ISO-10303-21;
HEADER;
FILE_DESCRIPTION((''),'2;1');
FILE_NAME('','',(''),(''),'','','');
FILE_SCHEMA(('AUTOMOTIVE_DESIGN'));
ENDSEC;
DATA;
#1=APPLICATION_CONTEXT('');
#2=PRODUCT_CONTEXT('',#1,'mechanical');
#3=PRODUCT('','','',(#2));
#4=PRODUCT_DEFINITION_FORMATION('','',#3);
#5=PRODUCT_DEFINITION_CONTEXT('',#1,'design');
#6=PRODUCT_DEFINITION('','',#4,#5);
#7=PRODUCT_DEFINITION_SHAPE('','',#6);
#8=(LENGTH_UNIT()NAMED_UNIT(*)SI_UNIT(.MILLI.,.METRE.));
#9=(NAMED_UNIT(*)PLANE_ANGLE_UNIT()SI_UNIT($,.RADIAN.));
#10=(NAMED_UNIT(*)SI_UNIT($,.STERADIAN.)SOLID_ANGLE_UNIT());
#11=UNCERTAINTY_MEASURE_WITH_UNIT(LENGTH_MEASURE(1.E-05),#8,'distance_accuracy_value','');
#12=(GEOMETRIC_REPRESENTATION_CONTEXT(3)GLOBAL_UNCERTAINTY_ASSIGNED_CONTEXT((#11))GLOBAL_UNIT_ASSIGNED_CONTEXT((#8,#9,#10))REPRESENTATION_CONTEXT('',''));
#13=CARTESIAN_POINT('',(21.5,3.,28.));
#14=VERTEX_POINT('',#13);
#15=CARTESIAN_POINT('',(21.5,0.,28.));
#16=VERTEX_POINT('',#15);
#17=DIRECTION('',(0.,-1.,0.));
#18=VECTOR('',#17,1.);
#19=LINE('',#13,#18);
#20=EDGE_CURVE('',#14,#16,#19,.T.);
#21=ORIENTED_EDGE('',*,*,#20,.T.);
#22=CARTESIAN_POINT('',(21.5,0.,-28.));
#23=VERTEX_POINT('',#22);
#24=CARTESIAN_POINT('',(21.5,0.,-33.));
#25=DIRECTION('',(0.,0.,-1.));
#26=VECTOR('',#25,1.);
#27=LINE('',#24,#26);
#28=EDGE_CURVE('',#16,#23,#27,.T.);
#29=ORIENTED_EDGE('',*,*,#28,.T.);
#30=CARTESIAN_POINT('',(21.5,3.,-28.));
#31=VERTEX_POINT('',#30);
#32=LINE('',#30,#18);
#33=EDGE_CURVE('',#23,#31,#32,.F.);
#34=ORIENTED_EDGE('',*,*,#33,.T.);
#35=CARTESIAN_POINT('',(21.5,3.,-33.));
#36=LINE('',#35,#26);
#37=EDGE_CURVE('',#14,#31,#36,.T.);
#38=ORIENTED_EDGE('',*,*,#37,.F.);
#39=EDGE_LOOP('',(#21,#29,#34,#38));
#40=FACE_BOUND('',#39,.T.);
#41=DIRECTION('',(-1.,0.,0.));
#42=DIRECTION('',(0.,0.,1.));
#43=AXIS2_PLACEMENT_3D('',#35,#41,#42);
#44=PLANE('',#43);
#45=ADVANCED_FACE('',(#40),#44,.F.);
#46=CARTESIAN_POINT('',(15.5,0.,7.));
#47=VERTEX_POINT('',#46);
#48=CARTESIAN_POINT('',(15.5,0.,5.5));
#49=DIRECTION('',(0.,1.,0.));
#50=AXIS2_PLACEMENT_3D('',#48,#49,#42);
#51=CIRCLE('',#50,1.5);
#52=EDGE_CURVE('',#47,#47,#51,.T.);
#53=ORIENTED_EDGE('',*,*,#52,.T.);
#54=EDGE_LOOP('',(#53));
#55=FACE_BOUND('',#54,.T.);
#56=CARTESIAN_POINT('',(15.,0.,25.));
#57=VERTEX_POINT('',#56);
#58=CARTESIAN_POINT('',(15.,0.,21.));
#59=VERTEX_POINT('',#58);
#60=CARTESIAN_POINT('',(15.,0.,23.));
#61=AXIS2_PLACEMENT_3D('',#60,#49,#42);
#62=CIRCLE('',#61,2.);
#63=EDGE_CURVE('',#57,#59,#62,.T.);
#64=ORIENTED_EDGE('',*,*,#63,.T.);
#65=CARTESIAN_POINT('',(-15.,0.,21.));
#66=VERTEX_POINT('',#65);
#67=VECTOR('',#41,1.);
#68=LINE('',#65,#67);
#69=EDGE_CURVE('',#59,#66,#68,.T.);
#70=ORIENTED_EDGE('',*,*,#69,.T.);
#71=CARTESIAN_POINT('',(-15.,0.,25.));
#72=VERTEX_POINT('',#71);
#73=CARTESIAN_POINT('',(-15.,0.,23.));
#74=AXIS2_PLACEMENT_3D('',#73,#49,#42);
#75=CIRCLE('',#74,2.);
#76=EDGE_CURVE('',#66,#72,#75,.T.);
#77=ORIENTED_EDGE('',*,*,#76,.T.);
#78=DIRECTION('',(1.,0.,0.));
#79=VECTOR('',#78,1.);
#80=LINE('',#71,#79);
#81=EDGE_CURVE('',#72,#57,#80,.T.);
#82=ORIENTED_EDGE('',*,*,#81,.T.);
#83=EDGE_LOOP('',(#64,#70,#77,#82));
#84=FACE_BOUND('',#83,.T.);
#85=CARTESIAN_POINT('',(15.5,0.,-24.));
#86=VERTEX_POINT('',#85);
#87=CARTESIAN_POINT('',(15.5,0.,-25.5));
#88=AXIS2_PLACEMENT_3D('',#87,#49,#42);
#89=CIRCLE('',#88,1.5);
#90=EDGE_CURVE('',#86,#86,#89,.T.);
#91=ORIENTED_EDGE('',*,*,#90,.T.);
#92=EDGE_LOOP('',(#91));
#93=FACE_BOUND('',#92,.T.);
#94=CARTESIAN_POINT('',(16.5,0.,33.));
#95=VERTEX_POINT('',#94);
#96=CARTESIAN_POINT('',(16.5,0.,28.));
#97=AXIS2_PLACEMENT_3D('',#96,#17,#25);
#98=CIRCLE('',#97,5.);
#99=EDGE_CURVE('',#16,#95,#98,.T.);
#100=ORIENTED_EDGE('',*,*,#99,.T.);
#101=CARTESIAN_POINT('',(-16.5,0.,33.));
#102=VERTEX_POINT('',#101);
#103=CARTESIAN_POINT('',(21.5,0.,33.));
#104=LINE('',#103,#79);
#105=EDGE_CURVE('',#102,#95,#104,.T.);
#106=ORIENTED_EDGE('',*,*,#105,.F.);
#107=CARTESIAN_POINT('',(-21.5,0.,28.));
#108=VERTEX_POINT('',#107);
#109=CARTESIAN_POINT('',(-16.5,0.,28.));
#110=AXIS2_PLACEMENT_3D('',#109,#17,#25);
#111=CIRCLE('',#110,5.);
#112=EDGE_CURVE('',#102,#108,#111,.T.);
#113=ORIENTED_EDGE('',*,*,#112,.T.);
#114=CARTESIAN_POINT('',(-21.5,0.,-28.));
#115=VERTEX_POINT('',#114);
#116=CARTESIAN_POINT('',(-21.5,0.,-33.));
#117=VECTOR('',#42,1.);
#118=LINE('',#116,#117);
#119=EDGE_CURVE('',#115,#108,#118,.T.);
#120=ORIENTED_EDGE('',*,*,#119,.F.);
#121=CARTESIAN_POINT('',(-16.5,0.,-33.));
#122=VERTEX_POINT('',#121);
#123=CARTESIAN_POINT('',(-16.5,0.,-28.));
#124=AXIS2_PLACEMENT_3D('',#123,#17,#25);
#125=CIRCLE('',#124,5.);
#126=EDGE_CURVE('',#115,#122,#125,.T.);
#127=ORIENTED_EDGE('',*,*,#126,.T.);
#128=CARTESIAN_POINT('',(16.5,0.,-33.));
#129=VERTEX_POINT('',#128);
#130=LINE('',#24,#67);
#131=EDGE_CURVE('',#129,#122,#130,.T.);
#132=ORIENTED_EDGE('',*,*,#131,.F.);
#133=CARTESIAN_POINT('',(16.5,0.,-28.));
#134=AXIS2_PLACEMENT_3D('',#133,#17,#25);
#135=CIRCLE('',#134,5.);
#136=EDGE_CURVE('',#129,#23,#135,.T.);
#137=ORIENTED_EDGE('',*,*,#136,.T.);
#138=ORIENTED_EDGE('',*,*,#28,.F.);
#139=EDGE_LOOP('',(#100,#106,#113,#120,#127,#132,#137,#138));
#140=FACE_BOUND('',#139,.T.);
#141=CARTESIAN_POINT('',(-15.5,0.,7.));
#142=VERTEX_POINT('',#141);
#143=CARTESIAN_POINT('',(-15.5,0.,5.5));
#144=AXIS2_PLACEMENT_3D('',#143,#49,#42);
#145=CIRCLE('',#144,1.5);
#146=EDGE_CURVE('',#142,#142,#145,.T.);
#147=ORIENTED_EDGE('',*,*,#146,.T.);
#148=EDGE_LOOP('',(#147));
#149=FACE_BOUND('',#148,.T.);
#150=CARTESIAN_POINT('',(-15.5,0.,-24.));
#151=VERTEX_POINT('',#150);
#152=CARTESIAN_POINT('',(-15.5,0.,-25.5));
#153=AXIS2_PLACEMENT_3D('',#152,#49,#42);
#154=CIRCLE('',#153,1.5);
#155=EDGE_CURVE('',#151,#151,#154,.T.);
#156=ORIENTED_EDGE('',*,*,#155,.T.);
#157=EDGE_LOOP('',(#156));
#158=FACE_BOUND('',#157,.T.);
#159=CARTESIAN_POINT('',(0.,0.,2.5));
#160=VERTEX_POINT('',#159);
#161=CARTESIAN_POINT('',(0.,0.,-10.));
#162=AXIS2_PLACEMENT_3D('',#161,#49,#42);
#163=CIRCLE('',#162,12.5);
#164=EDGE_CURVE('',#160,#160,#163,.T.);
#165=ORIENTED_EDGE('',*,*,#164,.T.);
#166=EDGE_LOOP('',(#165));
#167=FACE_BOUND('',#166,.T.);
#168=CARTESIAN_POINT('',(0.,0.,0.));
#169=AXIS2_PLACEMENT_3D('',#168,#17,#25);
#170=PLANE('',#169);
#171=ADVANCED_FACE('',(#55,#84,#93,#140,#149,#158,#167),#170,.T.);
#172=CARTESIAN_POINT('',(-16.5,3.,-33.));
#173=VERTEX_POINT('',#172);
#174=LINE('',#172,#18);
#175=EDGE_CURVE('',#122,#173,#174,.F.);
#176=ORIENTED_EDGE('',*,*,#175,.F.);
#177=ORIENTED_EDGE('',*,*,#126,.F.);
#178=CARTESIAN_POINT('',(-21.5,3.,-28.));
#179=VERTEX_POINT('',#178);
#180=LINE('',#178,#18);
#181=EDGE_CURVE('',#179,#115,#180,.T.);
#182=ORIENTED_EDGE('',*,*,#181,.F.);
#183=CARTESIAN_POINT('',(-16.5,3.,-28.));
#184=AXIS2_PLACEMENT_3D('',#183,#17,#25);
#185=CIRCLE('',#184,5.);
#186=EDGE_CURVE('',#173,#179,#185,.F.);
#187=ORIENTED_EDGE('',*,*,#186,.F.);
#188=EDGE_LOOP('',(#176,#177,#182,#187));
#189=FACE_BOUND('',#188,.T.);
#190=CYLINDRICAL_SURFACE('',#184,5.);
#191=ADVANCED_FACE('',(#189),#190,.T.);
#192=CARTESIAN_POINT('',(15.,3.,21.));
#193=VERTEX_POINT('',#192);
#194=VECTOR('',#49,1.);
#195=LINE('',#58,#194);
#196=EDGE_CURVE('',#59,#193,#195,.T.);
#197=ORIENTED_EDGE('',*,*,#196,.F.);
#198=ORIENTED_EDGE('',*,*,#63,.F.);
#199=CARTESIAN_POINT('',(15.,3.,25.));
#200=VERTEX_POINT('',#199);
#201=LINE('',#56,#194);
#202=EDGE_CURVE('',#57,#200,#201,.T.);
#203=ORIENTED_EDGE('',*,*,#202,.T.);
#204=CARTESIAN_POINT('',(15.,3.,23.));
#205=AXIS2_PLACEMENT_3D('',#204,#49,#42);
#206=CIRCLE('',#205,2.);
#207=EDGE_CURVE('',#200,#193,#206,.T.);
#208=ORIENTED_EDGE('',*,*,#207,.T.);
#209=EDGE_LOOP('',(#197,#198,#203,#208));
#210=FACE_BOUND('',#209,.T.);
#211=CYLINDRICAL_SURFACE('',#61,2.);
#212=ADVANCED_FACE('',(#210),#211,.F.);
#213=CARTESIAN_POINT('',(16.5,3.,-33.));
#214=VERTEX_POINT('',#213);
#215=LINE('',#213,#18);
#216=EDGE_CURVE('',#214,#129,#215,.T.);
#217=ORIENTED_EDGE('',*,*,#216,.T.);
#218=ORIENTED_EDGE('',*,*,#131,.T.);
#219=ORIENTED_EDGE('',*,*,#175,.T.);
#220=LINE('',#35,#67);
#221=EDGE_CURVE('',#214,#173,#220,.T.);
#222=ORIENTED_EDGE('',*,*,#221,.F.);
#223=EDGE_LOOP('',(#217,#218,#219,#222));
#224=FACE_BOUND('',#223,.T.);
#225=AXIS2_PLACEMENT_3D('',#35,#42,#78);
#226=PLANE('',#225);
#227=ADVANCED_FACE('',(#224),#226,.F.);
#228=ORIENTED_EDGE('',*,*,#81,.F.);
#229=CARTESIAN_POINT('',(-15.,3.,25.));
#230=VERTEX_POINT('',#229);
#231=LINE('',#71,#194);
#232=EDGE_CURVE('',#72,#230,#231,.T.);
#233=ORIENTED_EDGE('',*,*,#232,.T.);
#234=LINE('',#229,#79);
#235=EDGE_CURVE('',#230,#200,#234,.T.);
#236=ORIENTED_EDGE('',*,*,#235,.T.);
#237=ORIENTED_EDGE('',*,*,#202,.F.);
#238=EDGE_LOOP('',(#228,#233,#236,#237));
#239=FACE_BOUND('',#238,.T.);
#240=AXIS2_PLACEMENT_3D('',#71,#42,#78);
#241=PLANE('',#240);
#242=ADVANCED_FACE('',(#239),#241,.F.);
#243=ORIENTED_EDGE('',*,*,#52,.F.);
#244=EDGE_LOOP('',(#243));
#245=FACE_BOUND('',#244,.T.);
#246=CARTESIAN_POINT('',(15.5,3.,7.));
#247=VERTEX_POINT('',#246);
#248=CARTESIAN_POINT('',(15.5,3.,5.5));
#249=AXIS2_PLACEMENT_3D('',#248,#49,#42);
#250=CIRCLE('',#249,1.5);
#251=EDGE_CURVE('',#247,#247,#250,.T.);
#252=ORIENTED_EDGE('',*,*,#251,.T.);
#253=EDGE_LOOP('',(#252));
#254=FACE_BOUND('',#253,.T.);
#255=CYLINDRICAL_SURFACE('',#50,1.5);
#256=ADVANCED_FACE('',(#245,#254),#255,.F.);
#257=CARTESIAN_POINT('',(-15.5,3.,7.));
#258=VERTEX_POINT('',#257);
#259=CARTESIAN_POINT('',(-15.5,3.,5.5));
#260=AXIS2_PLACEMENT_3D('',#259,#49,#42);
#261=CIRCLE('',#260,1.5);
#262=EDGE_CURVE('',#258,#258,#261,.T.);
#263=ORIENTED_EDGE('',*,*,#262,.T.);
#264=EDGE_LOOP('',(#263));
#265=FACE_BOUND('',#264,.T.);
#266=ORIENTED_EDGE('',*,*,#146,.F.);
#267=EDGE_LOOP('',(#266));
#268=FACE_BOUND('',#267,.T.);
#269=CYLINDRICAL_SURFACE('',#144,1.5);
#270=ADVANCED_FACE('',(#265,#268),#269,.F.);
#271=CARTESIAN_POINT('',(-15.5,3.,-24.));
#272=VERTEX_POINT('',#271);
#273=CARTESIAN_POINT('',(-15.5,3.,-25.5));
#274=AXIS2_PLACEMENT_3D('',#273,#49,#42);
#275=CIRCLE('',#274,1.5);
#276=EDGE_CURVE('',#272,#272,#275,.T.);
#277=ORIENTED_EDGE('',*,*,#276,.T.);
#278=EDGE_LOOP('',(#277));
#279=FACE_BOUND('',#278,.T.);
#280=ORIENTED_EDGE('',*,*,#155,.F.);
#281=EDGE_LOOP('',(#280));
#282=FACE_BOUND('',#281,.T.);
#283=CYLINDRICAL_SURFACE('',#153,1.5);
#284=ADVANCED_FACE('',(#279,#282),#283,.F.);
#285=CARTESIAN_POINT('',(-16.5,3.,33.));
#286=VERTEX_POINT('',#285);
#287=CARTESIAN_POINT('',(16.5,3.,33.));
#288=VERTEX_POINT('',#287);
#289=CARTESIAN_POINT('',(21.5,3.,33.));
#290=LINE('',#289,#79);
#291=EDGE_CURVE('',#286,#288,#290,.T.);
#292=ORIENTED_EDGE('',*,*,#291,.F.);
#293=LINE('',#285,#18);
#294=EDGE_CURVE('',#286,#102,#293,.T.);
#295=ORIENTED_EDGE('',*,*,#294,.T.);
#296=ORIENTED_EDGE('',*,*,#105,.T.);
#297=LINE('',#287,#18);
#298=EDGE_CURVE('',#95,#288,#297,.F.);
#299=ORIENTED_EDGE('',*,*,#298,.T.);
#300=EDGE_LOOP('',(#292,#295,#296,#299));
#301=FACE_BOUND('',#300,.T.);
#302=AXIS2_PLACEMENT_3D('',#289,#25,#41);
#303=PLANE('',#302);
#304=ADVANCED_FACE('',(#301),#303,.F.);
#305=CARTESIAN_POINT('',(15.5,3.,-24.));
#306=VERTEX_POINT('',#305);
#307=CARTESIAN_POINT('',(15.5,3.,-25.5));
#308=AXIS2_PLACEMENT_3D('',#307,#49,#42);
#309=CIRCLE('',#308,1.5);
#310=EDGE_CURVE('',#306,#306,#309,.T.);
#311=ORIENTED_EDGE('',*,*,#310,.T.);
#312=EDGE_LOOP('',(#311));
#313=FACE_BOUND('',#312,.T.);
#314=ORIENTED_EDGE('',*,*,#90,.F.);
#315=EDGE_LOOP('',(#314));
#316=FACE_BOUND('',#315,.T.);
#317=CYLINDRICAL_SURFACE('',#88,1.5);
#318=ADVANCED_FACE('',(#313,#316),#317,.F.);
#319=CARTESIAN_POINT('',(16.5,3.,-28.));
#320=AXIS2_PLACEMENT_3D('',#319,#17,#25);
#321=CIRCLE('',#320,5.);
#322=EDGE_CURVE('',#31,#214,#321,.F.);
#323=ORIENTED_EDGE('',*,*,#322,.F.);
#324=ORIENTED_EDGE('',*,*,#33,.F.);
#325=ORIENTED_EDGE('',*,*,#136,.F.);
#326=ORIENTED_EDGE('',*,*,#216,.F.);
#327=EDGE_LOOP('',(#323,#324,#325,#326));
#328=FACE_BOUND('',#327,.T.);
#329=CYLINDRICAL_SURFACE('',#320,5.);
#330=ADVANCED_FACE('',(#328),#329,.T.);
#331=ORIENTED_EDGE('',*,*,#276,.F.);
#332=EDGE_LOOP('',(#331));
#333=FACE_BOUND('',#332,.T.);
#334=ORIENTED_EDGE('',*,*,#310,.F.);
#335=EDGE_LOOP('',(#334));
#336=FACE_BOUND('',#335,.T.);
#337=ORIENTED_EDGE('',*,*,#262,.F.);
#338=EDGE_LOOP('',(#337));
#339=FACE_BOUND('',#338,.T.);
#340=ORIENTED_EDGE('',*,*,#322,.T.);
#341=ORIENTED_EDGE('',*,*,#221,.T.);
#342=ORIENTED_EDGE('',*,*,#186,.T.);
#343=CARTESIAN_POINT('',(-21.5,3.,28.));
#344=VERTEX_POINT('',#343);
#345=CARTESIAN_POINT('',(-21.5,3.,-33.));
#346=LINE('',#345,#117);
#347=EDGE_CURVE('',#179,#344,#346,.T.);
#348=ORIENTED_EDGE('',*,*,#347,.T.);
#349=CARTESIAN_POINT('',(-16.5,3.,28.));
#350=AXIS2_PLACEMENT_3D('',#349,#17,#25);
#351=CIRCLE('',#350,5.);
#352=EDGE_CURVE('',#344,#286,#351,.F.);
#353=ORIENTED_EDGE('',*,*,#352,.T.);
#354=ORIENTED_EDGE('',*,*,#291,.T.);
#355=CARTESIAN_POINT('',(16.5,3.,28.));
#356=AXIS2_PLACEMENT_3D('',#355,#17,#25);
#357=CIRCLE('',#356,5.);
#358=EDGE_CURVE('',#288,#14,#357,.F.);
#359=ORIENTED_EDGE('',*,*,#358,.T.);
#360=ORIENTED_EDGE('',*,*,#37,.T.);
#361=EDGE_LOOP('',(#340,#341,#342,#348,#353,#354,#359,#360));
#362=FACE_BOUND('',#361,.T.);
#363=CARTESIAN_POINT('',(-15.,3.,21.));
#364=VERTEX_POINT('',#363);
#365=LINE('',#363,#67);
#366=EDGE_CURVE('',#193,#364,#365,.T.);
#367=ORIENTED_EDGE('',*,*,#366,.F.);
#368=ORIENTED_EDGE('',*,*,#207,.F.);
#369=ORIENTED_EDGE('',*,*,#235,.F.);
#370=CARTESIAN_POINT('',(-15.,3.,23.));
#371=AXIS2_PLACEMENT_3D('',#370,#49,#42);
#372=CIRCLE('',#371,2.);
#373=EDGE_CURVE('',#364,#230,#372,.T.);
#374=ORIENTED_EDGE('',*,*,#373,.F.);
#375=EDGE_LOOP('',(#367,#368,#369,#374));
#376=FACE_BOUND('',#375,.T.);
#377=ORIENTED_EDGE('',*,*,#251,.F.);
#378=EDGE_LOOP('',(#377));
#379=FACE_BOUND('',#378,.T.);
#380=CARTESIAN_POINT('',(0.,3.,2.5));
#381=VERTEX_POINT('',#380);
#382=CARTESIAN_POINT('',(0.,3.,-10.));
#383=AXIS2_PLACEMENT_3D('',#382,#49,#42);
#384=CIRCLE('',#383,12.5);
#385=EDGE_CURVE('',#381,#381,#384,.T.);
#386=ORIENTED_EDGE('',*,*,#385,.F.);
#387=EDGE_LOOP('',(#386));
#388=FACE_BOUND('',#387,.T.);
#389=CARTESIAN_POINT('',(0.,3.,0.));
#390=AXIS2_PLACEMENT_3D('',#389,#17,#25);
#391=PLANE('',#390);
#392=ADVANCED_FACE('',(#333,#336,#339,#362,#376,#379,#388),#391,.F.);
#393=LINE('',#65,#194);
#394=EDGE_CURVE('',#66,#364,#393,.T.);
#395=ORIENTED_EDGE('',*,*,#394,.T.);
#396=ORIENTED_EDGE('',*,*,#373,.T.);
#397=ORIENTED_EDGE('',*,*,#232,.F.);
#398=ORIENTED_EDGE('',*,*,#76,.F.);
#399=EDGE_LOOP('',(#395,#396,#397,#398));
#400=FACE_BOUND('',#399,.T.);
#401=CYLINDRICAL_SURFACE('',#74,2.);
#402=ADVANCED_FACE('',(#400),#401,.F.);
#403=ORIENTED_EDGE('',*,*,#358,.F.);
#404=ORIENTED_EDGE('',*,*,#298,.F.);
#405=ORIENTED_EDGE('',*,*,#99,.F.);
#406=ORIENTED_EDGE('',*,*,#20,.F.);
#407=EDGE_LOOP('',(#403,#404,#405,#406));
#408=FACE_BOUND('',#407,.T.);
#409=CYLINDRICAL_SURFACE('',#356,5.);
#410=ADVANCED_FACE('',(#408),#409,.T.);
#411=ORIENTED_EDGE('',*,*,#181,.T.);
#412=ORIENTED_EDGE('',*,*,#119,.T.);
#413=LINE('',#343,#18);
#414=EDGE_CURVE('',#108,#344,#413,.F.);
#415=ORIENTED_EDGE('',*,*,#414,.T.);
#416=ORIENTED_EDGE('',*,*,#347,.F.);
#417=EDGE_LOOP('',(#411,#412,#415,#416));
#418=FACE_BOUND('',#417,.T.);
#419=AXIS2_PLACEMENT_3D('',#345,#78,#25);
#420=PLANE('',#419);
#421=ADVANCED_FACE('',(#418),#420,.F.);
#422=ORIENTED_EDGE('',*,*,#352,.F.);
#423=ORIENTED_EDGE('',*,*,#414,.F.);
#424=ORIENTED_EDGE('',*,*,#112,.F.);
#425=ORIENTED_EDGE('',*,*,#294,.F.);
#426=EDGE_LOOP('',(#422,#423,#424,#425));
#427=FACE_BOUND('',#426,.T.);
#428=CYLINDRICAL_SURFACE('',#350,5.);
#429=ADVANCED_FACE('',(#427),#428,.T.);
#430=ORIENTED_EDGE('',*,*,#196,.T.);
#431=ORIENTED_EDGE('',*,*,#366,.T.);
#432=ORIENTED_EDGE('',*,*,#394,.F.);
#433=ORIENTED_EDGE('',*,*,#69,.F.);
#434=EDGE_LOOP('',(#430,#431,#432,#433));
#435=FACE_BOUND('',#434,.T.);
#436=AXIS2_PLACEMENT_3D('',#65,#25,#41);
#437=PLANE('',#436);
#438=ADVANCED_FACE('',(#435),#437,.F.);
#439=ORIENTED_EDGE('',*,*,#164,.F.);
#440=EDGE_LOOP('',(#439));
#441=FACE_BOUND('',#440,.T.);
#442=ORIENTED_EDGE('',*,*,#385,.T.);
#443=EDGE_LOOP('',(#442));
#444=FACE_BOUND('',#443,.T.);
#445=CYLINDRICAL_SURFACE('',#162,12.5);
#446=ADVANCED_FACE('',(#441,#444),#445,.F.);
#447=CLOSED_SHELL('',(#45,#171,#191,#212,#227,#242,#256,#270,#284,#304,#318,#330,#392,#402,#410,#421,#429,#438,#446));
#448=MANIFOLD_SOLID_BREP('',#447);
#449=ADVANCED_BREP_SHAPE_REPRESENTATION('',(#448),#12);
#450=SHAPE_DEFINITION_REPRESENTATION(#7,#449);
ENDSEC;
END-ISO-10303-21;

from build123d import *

# Parameters (mm, degrees)
SKETCH1_W           = 43
SKETCH1_H           = 66
BOSS_EXTRUDE1_DEPTH = 3
SKETCH2_R           = 1.5
SKETCH2_R_2         = 12.5
CUT_EXTRUDE1_DEPTH  = 40.5
FILLET1_R           = 5


with BuildPart() as part:
    # Sketch1 → Boss-Extrude1 (new body)
    with BuildSketch(Plane(origin=(0, 0, 0), x_dir=(1, 0, 0), z_dir=(0, 1, 0))):
        Rectangle(SKETCH1_W, SKETCH1_H)
    extrude(amount=BOSS_EXTRUDE1_DEPTH)

    # Sketch2 → Cut-Extrude1 (cut, through all)
    with BuildSketch(Plane(origin=(0, 3, 0), x_dir=(1, 0, 0), z_dir=(0, 1, 0))):
        with Locations(Location((15.5, 25.5, 0), (0, 0, 270))):
            Circle(SKETCH2_R)
        with Locations(Location((-15.5, 25.5, 0), (0, 0, 270))):
            Circle(SKETCH2_R)
        with Locations(Location((-15.5, -5.5, 0), (0, 0, 270))):
            Circle(SKETCH2_R)
        with Locations(Location((15.5, -5.5, 0), (0, 0, 270))):
            Circle(SKETCH2_R)
        with Locations(Location((0, 10, 0), (0, 0, 270))):
            Circle(SKETCH2_R_2)
        with BuildLine():
            Line((-15, -21), (15, -21))
            ThreePointArc((15, -21), (17, -23), (15, -25))
            Line((15, -25), (-15, -25))
            ThreePointArc((-15, -25), (-17, -23), (-15, -21))
        make_face()
    extrude(amount=-CUT_EXTRUDE1_DEPTH, mode=Mode.SUBTRACT)

    # Fillet1
    fillet1_edges = [part.edges().sort_by_distance(p)[0] for p in [
        (-21.5, 1.5, -33),
        (21.5, 1.5, -33),
        (21.5, 1.5, 33),
        (-21.5, 1.5, 33),
    ]]
    fillet(fillet1_edges, radius=FILLET1_R)


solid = part.part
